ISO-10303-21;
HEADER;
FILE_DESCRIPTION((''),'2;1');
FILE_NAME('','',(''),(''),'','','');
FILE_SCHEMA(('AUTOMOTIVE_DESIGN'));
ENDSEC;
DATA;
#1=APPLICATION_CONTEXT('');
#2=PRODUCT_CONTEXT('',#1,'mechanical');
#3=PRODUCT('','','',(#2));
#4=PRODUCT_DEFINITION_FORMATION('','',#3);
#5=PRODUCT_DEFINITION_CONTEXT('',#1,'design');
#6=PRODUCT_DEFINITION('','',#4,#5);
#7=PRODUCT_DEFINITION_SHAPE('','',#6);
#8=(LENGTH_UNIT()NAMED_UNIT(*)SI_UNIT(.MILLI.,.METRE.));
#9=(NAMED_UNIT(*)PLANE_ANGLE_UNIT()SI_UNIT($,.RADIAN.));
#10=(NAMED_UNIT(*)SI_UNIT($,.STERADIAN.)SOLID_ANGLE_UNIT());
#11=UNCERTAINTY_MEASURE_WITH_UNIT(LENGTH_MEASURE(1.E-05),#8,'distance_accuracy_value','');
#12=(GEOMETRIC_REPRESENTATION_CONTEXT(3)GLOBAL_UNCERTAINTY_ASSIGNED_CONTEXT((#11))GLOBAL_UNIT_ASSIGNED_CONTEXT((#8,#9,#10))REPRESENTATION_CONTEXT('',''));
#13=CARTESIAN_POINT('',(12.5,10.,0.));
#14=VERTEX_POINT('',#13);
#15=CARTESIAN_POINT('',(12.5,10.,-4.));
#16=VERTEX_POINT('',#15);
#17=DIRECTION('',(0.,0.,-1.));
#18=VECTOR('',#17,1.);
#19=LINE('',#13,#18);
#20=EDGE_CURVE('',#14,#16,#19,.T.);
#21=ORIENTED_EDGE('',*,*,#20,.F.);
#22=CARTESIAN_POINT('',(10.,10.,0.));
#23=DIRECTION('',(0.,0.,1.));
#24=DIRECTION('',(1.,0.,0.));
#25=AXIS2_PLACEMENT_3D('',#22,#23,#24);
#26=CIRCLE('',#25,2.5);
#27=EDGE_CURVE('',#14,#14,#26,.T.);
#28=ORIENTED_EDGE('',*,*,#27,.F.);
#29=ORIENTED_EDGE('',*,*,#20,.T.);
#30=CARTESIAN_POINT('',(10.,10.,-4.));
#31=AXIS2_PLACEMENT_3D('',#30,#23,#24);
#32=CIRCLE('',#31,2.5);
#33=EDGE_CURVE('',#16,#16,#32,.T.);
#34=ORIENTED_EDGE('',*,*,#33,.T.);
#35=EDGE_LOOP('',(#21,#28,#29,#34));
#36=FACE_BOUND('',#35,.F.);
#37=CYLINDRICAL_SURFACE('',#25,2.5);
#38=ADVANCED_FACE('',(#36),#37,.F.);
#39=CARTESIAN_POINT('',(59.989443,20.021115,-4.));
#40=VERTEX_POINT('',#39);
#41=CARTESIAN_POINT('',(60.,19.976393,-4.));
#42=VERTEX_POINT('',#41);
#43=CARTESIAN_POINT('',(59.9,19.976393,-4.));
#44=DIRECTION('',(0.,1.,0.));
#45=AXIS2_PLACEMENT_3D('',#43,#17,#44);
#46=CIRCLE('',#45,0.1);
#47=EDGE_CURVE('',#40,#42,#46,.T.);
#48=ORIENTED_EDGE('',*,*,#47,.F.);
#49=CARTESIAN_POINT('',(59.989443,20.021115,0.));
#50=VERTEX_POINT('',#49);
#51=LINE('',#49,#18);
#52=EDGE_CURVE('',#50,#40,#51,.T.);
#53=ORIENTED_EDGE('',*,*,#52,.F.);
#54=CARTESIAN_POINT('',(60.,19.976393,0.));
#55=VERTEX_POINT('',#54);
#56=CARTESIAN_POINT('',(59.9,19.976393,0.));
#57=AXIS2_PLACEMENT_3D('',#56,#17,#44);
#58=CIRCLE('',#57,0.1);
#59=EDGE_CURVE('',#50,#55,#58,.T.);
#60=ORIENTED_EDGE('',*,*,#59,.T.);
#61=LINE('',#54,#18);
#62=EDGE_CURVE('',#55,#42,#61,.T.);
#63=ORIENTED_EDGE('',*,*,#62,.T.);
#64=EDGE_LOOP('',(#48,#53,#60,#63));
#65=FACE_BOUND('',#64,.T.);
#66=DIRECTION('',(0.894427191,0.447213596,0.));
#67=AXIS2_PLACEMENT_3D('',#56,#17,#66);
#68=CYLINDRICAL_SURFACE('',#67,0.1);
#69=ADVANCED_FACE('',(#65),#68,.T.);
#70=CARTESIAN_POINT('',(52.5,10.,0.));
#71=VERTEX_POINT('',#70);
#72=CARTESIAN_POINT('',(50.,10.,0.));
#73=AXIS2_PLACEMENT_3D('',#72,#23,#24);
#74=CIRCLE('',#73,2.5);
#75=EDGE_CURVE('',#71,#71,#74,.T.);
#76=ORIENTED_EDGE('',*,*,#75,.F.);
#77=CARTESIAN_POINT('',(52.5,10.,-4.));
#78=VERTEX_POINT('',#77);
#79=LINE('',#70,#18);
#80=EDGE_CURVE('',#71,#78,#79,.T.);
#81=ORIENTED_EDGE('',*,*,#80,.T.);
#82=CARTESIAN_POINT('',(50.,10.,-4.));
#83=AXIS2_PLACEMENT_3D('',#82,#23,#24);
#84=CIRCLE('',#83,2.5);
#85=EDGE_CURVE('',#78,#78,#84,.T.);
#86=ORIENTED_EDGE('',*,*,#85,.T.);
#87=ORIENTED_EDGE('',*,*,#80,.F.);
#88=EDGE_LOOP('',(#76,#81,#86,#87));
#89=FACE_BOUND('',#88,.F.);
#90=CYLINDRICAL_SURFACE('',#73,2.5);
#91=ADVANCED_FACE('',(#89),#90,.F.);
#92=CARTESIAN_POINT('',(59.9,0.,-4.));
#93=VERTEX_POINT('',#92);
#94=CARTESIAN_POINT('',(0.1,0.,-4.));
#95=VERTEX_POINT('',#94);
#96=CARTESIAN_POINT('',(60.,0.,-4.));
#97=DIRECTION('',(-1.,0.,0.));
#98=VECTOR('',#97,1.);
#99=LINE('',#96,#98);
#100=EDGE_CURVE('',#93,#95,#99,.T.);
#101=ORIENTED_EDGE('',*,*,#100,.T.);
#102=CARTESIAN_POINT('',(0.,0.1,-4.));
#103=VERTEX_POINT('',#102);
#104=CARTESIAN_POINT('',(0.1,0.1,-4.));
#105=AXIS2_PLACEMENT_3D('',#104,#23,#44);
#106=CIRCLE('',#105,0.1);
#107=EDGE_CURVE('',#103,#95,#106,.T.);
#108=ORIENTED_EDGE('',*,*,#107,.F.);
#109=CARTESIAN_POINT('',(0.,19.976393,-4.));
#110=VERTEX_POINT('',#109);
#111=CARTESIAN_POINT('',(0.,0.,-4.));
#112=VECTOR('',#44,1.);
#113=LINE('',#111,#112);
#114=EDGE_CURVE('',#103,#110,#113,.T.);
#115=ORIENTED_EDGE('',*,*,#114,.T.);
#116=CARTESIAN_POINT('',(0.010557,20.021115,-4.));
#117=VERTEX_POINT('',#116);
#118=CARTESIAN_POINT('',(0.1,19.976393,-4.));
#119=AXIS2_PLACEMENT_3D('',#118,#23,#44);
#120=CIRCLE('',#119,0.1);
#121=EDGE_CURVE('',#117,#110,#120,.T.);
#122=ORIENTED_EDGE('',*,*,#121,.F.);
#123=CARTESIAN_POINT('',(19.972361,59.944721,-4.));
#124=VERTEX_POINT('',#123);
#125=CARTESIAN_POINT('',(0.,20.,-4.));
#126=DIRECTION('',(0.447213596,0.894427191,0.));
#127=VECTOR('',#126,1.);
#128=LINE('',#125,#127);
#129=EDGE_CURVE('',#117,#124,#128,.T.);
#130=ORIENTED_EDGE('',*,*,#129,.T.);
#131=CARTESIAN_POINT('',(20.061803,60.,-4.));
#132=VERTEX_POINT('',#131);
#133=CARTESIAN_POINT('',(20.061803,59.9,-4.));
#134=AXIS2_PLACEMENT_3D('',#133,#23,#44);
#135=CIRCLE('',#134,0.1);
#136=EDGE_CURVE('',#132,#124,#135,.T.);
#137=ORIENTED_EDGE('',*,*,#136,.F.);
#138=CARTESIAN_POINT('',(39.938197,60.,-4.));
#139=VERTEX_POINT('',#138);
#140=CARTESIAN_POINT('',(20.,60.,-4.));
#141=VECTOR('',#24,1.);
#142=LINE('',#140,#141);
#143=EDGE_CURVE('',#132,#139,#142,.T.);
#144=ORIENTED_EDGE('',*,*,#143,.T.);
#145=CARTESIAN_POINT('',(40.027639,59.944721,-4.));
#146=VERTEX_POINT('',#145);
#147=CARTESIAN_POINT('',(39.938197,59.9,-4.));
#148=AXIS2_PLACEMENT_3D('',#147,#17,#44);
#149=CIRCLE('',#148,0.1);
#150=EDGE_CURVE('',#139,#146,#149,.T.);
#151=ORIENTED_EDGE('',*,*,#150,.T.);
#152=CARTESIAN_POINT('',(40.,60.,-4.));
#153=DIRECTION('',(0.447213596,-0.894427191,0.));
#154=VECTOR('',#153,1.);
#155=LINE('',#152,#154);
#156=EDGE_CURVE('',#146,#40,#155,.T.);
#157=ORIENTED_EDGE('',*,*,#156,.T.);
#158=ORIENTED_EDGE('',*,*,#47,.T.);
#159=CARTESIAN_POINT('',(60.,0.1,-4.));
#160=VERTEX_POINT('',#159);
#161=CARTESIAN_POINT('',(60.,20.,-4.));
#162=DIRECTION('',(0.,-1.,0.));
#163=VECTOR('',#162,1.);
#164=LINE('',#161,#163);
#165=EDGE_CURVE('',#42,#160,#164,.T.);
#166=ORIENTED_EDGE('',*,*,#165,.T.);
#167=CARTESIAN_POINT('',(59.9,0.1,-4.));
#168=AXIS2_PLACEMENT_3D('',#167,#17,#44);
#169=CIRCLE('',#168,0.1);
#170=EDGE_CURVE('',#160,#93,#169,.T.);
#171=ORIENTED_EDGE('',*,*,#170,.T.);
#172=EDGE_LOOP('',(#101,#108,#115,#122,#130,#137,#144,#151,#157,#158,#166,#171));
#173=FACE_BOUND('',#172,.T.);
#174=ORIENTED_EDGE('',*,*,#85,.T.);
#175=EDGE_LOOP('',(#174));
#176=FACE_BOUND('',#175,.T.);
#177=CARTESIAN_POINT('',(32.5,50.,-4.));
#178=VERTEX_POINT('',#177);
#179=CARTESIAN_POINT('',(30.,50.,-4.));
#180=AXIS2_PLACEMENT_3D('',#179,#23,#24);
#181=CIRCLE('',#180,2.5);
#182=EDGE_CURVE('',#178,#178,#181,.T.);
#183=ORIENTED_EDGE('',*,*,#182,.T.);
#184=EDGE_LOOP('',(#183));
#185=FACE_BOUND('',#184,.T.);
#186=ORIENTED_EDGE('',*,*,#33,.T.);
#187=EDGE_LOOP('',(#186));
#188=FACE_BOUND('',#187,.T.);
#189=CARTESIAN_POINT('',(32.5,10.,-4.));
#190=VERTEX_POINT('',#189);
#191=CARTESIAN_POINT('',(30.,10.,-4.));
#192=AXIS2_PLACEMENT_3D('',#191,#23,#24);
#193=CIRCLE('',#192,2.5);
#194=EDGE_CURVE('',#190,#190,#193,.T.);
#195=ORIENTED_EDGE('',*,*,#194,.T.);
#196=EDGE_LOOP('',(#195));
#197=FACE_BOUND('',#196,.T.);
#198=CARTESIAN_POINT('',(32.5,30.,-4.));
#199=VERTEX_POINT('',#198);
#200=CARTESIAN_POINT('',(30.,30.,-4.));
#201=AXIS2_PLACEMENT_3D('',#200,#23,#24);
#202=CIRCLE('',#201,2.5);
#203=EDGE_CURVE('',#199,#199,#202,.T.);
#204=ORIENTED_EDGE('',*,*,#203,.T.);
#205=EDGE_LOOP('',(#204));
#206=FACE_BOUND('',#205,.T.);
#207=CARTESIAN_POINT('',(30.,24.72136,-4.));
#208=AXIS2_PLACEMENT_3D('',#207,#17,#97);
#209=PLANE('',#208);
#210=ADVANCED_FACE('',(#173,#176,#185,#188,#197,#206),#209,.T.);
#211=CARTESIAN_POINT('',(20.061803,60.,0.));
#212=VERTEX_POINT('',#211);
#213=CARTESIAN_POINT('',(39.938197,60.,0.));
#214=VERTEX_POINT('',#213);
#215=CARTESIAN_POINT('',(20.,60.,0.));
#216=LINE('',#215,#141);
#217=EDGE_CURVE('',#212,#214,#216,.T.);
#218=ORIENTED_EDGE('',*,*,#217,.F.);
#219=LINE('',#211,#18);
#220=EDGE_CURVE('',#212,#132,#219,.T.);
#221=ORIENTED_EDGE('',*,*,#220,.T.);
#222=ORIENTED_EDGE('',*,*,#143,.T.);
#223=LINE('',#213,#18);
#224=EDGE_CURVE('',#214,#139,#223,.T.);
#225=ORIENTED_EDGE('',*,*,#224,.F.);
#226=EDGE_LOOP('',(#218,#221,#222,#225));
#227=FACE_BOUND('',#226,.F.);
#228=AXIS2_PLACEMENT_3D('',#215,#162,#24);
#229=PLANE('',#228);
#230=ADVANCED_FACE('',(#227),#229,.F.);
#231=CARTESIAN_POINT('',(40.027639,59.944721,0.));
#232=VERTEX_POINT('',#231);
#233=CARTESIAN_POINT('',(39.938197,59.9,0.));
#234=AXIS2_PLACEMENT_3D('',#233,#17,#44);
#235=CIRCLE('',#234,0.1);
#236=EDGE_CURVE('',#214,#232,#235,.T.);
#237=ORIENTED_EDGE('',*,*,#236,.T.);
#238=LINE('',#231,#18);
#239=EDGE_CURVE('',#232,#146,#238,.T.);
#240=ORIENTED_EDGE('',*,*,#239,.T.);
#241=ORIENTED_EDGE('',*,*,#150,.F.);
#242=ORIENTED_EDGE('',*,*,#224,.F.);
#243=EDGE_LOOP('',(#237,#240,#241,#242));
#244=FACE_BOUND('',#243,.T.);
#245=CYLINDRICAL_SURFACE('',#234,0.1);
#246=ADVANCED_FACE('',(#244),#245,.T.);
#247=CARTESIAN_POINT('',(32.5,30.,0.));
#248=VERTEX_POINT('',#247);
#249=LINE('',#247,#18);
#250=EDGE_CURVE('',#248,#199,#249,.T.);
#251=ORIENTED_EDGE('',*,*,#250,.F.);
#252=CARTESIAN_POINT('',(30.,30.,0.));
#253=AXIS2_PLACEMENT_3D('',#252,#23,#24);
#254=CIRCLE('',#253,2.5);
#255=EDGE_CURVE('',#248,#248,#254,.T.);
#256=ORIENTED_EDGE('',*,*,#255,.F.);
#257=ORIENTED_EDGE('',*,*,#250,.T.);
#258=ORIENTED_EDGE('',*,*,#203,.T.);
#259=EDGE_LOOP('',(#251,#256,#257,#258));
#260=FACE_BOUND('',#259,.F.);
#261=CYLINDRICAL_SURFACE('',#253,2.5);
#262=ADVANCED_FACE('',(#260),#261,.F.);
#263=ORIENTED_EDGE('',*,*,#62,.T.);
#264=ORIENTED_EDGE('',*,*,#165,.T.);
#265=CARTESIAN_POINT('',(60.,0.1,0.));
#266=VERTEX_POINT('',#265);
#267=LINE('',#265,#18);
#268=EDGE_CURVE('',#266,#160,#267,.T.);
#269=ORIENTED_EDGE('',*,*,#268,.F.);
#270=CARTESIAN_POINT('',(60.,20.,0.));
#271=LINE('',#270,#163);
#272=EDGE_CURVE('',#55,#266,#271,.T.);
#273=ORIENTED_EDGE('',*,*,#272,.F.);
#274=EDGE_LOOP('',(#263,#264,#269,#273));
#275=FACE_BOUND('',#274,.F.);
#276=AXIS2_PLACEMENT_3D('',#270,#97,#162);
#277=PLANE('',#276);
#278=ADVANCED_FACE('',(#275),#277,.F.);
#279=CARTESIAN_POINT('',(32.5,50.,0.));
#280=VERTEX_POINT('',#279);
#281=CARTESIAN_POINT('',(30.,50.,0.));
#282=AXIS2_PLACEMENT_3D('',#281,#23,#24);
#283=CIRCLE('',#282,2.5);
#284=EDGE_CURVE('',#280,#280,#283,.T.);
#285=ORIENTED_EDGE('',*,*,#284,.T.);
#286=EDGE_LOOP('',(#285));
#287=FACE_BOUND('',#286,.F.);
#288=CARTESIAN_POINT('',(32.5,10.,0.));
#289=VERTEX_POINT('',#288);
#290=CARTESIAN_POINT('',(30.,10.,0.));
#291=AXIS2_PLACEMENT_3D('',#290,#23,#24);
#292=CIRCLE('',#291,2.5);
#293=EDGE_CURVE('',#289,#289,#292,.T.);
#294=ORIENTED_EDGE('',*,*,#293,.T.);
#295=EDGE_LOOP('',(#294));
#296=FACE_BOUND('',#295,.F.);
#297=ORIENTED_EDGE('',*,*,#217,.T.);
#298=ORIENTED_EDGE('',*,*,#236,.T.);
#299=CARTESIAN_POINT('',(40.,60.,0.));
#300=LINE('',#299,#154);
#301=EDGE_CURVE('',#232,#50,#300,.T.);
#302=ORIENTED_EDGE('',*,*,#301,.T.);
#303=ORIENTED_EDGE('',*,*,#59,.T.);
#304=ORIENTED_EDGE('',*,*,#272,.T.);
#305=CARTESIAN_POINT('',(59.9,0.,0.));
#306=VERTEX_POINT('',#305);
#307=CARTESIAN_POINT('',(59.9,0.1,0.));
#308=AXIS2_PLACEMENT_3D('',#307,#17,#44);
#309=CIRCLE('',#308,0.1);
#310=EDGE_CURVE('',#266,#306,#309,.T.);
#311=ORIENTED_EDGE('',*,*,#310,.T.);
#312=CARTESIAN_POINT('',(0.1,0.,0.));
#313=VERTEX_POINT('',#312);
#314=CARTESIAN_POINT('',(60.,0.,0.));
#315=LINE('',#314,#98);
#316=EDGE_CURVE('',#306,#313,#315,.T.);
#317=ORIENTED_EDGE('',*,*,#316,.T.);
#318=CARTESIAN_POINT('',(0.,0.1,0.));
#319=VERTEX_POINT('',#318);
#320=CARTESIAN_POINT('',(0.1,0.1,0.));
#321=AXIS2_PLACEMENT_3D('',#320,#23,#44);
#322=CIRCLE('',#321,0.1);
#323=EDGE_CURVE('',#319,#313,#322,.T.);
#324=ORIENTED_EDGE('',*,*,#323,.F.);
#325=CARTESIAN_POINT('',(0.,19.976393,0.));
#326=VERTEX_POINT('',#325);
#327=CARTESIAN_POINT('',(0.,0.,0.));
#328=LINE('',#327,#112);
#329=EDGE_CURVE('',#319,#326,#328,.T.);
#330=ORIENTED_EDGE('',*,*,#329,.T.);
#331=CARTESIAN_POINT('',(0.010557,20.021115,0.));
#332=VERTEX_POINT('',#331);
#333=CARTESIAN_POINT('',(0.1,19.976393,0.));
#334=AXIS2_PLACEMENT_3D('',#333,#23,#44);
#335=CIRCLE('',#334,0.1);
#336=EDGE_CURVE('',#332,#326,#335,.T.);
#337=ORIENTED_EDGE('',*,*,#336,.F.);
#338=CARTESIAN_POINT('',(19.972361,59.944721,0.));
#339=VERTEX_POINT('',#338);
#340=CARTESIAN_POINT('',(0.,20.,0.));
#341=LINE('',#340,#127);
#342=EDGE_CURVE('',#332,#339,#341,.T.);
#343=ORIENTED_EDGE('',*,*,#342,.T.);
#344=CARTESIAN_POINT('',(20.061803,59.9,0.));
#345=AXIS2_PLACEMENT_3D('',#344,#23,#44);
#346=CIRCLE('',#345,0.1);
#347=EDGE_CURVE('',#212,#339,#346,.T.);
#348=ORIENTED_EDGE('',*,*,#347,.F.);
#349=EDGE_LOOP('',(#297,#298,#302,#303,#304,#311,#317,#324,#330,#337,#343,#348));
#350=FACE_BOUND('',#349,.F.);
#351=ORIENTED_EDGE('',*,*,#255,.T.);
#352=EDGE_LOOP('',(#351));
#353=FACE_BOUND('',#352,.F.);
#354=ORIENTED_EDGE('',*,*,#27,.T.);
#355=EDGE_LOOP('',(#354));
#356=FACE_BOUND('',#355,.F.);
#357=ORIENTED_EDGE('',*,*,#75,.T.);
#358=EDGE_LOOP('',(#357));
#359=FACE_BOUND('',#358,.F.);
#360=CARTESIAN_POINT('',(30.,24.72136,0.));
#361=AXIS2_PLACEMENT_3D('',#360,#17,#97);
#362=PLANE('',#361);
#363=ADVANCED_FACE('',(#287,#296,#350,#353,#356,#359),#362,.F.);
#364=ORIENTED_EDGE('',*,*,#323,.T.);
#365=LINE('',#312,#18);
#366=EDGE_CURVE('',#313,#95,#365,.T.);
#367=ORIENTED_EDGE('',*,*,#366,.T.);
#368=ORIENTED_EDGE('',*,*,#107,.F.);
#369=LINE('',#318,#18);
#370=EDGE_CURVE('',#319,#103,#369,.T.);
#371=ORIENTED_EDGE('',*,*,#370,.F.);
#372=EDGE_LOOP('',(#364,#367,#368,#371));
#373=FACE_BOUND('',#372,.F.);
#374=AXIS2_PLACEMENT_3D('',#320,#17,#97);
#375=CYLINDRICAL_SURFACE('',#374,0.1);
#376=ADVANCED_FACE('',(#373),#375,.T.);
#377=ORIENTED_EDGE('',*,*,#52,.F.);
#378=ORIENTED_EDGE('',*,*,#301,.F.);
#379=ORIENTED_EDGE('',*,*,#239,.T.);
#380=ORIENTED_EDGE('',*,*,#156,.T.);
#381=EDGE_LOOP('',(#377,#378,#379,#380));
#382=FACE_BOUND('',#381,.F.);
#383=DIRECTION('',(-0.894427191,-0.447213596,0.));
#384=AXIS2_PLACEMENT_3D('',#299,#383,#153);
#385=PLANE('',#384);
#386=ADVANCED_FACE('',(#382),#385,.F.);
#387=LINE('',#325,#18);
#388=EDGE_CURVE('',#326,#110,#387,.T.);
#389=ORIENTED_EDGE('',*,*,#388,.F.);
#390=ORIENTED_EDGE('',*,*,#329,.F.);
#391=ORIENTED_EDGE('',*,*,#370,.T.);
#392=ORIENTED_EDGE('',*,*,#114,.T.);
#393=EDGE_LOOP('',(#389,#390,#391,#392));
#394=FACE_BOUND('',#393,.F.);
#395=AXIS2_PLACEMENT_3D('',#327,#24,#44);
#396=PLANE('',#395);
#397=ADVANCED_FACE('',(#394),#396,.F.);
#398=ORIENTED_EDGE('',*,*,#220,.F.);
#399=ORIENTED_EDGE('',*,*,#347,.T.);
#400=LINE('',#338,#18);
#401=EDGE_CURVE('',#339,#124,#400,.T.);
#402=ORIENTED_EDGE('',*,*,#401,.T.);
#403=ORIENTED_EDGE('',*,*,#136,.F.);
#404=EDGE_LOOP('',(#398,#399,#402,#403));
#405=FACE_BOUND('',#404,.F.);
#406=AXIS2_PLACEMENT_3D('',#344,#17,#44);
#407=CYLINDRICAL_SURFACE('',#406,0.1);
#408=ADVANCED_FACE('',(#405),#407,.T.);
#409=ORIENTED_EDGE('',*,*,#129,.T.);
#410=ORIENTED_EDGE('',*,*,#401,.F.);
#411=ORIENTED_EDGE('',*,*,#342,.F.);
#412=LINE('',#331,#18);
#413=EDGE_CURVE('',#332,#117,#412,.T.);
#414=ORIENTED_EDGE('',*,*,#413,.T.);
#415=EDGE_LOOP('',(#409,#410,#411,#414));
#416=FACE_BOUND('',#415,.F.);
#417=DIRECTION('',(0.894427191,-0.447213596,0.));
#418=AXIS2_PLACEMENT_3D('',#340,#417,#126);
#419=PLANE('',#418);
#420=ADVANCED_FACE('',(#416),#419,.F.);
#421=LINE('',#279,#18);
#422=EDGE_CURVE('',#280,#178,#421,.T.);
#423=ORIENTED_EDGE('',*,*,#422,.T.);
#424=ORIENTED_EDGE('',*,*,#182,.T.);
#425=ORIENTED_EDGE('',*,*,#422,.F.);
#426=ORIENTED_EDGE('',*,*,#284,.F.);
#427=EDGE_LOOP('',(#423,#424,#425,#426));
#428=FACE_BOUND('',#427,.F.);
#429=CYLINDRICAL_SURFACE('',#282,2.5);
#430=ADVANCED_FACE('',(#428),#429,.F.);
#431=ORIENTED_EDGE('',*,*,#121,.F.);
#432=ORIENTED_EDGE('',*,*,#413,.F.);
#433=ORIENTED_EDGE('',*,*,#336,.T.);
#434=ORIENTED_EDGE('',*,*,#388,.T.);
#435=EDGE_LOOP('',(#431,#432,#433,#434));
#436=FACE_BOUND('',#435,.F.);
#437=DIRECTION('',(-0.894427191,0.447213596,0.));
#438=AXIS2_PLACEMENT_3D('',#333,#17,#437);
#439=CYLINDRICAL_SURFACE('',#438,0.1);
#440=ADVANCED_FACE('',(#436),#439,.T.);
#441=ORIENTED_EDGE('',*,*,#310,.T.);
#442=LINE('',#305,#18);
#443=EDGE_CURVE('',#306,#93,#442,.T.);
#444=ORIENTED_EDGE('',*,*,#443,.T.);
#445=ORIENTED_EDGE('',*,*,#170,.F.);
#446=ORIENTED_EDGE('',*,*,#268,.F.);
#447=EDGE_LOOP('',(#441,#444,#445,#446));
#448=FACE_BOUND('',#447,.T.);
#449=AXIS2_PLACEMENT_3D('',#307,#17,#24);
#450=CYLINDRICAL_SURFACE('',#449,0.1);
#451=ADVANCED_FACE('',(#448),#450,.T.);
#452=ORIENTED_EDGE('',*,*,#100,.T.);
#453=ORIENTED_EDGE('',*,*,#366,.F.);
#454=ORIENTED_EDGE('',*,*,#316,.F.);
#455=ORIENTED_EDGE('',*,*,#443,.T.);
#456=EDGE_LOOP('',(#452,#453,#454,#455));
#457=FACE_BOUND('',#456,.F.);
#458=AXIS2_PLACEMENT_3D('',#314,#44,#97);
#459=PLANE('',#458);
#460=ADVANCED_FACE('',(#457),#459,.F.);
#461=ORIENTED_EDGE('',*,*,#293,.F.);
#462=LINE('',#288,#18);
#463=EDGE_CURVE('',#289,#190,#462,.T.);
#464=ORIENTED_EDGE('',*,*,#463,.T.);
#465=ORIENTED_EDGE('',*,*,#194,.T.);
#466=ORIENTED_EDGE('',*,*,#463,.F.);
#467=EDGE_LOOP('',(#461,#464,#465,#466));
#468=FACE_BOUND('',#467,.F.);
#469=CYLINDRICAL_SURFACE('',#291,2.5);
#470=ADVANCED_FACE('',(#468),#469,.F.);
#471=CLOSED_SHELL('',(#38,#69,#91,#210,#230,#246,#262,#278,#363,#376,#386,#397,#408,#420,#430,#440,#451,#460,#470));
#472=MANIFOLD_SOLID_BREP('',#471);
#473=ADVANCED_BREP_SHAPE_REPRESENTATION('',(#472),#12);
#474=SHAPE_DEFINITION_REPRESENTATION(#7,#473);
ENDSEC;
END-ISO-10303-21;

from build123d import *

# Parameters (mm, degrees)
BOSS_EXTRUDE1_DEPTH = 4
SKETCH2_R           = 2.5
CUT_EXTRUDE1_DEPTH  = 4
LPATTERN1_COUNT     = 3
LPATTERN1_PITCH     = 20
SKETCH3_R           = 2.5
CUT_EXTRUDE2_DEPTH  = 4
FILLET1_R           = 0.1


with BuildPart() as part:
    # Sketch1 → Boss-Extrude1 (new body)
    with BuildSketch(Plane.XY):
        Polygon((20, 60), (40, 60), (60, 20), (60, 0), (0, 0), (0, 20), align=None)
    extrude(amount=-BOSS_EXTRUDE1_DEPTH)

    # Sketch2 → Cut-Extrude1 (cut)
    with BuildSketch(Plane.XY):
        with Locations((30, 10)):
            Circle(SKETCH2_R)
    cut_extrude1 = extrude(amount=-CUT_EXTRUDE1_DEPTH, mode=Mode.SUBTRACT)

    # LPattern1: Cut-Extrude1 ×3
    with Locations(*[(0, i * LPATTERN1_PITCH, 0) for i in range(1, LPATTERN1_COUNT)]):
        add(cut_extrude1, mode=Mode.SUBTRACT)

    # Sketch3 → Cut-Extrude2 (cut)
    with BuildSketch(Plane.XY):
        with Locations((10, 10)):
            Circle(SKETCH3_R)
        with Locations((50, 10)):
            Circle(SKETCH3_R)
    extrude(amount=-CUT_EXTRUDE2_DEPTH, mode=Mode.SUBTRACT)

    # Fillet1
    fillet1_edges = [part.edges().sort_by_distance(p)[0] for p in [
        (0, 0, -2),
        (0, 20, -2),
        (20, 60, -2),
        (40, 60, -2),
        (60, 20, -2),
        (60, 0, -2),
    ]]
    fillet(fillet1_edges, radius=FILLET1_R)


solid = part.part
